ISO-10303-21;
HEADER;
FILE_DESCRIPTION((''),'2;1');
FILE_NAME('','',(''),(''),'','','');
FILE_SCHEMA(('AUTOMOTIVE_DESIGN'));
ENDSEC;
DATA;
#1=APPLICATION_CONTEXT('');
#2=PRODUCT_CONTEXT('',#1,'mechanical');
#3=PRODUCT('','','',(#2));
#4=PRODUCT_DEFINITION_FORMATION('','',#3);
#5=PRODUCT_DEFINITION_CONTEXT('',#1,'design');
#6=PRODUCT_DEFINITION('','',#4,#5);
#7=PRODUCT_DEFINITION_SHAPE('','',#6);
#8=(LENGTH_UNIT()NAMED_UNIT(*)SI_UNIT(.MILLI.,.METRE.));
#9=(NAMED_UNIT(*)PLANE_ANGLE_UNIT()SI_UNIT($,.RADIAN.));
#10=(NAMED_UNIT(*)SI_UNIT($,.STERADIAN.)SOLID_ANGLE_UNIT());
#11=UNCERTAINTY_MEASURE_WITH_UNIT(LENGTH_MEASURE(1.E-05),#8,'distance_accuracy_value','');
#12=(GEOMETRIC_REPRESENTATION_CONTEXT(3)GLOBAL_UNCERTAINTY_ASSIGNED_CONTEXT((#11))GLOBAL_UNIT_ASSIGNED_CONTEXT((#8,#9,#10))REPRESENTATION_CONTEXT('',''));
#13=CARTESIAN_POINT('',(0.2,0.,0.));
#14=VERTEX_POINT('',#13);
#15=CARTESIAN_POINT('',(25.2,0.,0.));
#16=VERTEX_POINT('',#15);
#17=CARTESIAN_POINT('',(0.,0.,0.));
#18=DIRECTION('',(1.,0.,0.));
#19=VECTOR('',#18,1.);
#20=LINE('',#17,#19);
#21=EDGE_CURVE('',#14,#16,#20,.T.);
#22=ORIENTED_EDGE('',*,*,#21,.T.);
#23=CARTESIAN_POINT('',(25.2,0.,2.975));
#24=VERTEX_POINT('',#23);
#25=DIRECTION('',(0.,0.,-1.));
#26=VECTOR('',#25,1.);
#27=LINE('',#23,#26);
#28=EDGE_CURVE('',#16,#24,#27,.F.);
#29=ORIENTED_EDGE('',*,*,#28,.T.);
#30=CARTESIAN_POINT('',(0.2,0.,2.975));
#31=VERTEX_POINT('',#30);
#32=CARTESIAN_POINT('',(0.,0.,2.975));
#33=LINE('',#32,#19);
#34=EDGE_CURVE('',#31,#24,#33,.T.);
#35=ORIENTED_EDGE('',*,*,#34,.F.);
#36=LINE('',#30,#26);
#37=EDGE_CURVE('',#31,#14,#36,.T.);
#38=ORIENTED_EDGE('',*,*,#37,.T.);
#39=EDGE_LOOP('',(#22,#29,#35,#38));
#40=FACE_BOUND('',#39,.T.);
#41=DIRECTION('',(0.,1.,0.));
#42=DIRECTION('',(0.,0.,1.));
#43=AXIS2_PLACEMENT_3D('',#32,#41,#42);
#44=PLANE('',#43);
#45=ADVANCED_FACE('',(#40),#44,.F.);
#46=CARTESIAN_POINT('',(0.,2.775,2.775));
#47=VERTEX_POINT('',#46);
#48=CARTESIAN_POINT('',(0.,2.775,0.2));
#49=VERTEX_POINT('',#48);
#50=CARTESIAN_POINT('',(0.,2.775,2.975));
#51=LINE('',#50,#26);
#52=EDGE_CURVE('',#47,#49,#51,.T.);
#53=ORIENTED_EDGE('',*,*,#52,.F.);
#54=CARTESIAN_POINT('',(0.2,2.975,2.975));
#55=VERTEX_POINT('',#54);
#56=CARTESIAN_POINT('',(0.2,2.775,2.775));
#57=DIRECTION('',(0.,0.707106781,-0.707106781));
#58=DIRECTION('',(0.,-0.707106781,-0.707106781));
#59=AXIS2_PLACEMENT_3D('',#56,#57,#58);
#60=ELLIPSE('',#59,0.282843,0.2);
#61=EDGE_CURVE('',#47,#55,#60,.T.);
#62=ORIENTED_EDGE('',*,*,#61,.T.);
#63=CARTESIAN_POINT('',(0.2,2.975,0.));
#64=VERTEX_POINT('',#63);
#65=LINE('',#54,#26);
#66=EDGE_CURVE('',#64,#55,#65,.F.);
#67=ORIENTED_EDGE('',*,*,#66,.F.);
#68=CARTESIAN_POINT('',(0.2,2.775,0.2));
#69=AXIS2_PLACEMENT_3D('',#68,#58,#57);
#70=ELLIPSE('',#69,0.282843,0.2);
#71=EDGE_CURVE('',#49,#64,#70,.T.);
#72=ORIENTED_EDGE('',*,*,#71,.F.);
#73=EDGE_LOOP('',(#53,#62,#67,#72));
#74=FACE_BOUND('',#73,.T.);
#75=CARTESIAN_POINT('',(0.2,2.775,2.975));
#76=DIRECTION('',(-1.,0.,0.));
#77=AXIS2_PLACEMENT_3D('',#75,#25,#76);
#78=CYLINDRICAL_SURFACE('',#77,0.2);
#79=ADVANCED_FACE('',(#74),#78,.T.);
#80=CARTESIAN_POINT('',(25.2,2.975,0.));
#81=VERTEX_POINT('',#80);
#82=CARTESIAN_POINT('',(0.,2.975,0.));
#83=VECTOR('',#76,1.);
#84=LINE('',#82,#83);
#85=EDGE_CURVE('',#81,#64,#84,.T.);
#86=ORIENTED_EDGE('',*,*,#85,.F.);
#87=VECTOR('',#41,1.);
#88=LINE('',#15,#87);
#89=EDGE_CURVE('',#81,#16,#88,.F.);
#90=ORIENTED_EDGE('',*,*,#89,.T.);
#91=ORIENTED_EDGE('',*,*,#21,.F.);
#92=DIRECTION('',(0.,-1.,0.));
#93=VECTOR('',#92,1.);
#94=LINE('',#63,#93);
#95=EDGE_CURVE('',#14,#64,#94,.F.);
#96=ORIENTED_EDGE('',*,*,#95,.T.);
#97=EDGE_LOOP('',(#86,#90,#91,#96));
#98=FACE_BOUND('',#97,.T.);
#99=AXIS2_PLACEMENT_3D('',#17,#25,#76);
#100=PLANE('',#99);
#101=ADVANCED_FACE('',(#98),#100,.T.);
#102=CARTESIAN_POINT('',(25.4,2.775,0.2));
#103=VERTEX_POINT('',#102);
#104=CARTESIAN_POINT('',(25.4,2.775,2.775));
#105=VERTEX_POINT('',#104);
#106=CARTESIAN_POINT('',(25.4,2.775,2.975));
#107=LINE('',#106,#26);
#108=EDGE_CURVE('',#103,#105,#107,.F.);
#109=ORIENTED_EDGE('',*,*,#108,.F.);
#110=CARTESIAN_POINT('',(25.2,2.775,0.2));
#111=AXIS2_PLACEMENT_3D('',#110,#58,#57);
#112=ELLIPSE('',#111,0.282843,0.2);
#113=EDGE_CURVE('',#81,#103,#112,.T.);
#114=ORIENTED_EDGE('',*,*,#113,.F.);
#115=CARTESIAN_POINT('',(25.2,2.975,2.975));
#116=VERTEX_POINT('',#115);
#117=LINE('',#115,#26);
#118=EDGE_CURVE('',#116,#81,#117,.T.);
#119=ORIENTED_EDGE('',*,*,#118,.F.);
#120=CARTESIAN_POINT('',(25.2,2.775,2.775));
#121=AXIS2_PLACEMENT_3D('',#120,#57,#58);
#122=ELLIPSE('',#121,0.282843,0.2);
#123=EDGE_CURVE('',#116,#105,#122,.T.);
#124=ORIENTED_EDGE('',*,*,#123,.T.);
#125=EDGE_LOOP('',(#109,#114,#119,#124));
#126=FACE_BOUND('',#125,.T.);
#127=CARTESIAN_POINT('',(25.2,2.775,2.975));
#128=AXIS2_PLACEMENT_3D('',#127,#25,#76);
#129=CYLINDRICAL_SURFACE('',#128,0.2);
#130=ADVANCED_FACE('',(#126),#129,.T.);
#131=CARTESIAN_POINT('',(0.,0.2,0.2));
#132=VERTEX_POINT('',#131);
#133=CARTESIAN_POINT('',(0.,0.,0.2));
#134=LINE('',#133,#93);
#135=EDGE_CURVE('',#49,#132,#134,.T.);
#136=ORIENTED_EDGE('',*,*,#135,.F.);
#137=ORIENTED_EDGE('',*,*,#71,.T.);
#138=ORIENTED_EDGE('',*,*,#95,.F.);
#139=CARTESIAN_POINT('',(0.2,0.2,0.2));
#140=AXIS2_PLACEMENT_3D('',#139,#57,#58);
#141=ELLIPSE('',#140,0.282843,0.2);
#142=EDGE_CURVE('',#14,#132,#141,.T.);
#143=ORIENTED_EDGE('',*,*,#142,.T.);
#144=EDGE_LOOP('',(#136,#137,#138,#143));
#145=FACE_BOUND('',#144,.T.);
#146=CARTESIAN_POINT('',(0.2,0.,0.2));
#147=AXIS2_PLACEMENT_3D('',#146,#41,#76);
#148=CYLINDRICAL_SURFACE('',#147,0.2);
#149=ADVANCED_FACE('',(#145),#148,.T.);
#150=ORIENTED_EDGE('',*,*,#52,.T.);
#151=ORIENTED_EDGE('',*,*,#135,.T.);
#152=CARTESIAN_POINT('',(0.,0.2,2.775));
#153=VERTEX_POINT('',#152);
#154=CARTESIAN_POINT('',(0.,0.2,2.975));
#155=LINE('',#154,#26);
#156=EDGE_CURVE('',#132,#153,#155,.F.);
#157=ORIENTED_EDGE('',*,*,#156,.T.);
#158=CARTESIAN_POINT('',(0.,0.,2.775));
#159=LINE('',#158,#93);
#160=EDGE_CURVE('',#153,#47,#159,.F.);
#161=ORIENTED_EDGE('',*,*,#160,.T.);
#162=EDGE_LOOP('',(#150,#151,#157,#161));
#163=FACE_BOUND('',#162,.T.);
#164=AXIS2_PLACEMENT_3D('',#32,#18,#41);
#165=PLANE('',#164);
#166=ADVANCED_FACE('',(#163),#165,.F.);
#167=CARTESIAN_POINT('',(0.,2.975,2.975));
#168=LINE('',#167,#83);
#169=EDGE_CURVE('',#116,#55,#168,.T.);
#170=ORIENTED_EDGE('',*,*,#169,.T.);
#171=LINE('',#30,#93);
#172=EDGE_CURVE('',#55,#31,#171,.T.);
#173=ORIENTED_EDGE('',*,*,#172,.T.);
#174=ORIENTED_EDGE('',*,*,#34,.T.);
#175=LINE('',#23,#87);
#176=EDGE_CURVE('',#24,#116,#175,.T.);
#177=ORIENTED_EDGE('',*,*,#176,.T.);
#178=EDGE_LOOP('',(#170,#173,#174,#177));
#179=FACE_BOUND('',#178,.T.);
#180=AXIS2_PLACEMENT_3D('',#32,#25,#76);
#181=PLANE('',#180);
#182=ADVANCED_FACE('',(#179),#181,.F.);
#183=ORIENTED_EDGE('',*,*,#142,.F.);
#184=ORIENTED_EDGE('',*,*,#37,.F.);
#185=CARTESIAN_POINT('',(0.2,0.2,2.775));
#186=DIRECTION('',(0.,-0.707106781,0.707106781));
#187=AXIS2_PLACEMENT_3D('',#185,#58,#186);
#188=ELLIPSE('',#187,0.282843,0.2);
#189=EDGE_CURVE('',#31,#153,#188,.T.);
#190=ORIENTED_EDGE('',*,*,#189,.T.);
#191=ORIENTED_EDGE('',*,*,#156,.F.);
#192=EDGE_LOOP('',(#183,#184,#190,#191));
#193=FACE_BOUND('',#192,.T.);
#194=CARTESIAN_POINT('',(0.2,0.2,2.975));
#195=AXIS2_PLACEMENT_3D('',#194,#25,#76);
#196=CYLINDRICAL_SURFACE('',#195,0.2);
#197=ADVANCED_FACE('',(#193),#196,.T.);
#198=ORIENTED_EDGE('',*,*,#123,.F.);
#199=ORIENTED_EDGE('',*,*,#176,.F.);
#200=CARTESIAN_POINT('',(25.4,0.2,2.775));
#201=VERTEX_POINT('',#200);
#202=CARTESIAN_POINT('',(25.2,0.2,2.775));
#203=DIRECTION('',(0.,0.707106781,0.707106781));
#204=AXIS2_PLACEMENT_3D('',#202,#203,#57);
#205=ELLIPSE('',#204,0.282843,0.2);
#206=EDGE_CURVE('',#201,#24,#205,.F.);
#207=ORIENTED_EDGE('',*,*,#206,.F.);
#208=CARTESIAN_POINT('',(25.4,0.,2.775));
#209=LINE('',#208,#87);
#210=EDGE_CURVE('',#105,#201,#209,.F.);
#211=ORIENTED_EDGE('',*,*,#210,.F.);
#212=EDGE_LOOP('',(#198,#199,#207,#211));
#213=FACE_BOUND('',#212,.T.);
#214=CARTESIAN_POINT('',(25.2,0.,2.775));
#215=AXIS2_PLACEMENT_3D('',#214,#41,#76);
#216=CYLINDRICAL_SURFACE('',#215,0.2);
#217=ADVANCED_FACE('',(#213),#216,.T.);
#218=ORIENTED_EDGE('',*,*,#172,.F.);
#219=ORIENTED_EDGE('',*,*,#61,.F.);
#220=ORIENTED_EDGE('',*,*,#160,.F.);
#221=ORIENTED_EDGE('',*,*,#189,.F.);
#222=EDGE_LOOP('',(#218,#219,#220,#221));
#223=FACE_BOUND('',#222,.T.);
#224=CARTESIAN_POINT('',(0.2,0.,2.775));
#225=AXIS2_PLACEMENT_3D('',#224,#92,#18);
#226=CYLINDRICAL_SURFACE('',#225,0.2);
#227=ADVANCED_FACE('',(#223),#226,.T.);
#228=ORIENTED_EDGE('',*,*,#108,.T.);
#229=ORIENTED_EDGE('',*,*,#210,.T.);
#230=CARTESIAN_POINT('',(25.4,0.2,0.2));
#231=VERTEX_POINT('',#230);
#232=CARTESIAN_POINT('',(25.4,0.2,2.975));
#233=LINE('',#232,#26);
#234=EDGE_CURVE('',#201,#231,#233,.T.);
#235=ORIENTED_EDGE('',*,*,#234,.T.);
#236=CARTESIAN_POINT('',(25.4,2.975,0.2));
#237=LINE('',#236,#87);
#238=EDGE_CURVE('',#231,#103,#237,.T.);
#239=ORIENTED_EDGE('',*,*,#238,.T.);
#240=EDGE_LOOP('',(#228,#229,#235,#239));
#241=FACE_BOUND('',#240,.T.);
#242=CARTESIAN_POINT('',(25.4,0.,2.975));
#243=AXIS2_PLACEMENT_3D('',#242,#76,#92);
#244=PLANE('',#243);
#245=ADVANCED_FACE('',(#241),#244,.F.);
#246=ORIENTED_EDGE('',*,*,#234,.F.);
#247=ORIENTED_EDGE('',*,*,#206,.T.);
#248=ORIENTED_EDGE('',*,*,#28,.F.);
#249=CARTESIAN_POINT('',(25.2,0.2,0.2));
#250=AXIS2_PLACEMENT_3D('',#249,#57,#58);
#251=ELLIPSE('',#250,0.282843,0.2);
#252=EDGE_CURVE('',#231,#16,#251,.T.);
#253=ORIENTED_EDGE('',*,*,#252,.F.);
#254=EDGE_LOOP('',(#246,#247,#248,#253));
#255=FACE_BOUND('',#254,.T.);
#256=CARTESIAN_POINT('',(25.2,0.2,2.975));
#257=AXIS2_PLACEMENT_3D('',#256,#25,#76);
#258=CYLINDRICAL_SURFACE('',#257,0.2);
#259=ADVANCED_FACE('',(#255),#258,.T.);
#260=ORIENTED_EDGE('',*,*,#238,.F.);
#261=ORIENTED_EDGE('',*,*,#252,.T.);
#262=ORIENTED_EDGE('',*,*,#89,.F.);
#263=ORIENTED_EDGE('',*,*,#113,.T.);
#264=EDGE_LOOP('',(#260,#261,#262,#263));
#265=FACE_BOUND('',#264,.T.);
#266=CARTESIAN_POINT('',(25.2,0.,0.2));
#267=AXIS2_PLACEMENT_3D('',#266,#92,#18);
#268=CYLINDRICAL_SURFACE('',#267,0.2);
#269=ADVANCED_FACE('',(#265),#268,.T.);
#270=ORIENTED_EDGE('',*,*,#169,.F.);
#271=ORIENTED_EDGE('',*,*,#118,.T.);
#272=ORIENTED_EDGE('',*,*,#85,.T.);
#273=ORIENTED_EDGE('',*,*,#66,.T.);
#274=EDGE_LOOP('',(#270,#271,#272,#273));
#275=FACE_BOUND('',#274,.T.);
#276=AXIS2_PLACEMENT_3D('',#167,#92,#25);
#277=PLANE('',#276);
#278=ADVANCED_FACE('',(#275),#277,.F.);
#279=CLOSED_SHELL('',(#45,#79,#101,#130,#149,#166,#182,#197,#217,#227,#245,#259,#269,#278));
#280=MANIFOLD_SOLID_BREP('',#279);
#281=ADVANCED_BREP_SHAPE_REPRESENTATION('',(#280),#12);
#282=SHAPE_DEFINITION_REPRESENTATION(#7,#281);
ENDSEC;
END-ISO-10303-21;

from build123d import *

# Parameters (mm, degrees)
SKETCH1_W           = 25.4
SKETCH1_H           = 2.975
BOSS_EXTRUDE1_DEPTH = 2.975
FILLET2_R           = 0.2


with BuildPart() as part:
    # Sketch1 → Boss-Extrude1 (new body)
    with BuildSketch(Plane.XY):
        with Locations((12.7, 1.4875)):
            Rectangle(SKETCH1_W, SKETCH1_H)
    extrude(amount=BOSS_EXTRUDE1_DEPTH)

    # Fillet2
    fillet2_edges = [part.edges().sort_by_distance(p)[0] for p in [
        (25.4, 1.4875, 2.975),
        (0, 1.4875, 2.975),
        (25.4, 1.4875, 0),
        (0, 1.4875, 0),
        (0, 2.975, 1.4875),
        (25.4, 2.975, 1.4875),
        (25.4, 0, 1.4875),
        (0, 0, 1.4875),
    ]]
    fillet(fillet2_edges, radius=FILLET2_R)


solid = part.part
